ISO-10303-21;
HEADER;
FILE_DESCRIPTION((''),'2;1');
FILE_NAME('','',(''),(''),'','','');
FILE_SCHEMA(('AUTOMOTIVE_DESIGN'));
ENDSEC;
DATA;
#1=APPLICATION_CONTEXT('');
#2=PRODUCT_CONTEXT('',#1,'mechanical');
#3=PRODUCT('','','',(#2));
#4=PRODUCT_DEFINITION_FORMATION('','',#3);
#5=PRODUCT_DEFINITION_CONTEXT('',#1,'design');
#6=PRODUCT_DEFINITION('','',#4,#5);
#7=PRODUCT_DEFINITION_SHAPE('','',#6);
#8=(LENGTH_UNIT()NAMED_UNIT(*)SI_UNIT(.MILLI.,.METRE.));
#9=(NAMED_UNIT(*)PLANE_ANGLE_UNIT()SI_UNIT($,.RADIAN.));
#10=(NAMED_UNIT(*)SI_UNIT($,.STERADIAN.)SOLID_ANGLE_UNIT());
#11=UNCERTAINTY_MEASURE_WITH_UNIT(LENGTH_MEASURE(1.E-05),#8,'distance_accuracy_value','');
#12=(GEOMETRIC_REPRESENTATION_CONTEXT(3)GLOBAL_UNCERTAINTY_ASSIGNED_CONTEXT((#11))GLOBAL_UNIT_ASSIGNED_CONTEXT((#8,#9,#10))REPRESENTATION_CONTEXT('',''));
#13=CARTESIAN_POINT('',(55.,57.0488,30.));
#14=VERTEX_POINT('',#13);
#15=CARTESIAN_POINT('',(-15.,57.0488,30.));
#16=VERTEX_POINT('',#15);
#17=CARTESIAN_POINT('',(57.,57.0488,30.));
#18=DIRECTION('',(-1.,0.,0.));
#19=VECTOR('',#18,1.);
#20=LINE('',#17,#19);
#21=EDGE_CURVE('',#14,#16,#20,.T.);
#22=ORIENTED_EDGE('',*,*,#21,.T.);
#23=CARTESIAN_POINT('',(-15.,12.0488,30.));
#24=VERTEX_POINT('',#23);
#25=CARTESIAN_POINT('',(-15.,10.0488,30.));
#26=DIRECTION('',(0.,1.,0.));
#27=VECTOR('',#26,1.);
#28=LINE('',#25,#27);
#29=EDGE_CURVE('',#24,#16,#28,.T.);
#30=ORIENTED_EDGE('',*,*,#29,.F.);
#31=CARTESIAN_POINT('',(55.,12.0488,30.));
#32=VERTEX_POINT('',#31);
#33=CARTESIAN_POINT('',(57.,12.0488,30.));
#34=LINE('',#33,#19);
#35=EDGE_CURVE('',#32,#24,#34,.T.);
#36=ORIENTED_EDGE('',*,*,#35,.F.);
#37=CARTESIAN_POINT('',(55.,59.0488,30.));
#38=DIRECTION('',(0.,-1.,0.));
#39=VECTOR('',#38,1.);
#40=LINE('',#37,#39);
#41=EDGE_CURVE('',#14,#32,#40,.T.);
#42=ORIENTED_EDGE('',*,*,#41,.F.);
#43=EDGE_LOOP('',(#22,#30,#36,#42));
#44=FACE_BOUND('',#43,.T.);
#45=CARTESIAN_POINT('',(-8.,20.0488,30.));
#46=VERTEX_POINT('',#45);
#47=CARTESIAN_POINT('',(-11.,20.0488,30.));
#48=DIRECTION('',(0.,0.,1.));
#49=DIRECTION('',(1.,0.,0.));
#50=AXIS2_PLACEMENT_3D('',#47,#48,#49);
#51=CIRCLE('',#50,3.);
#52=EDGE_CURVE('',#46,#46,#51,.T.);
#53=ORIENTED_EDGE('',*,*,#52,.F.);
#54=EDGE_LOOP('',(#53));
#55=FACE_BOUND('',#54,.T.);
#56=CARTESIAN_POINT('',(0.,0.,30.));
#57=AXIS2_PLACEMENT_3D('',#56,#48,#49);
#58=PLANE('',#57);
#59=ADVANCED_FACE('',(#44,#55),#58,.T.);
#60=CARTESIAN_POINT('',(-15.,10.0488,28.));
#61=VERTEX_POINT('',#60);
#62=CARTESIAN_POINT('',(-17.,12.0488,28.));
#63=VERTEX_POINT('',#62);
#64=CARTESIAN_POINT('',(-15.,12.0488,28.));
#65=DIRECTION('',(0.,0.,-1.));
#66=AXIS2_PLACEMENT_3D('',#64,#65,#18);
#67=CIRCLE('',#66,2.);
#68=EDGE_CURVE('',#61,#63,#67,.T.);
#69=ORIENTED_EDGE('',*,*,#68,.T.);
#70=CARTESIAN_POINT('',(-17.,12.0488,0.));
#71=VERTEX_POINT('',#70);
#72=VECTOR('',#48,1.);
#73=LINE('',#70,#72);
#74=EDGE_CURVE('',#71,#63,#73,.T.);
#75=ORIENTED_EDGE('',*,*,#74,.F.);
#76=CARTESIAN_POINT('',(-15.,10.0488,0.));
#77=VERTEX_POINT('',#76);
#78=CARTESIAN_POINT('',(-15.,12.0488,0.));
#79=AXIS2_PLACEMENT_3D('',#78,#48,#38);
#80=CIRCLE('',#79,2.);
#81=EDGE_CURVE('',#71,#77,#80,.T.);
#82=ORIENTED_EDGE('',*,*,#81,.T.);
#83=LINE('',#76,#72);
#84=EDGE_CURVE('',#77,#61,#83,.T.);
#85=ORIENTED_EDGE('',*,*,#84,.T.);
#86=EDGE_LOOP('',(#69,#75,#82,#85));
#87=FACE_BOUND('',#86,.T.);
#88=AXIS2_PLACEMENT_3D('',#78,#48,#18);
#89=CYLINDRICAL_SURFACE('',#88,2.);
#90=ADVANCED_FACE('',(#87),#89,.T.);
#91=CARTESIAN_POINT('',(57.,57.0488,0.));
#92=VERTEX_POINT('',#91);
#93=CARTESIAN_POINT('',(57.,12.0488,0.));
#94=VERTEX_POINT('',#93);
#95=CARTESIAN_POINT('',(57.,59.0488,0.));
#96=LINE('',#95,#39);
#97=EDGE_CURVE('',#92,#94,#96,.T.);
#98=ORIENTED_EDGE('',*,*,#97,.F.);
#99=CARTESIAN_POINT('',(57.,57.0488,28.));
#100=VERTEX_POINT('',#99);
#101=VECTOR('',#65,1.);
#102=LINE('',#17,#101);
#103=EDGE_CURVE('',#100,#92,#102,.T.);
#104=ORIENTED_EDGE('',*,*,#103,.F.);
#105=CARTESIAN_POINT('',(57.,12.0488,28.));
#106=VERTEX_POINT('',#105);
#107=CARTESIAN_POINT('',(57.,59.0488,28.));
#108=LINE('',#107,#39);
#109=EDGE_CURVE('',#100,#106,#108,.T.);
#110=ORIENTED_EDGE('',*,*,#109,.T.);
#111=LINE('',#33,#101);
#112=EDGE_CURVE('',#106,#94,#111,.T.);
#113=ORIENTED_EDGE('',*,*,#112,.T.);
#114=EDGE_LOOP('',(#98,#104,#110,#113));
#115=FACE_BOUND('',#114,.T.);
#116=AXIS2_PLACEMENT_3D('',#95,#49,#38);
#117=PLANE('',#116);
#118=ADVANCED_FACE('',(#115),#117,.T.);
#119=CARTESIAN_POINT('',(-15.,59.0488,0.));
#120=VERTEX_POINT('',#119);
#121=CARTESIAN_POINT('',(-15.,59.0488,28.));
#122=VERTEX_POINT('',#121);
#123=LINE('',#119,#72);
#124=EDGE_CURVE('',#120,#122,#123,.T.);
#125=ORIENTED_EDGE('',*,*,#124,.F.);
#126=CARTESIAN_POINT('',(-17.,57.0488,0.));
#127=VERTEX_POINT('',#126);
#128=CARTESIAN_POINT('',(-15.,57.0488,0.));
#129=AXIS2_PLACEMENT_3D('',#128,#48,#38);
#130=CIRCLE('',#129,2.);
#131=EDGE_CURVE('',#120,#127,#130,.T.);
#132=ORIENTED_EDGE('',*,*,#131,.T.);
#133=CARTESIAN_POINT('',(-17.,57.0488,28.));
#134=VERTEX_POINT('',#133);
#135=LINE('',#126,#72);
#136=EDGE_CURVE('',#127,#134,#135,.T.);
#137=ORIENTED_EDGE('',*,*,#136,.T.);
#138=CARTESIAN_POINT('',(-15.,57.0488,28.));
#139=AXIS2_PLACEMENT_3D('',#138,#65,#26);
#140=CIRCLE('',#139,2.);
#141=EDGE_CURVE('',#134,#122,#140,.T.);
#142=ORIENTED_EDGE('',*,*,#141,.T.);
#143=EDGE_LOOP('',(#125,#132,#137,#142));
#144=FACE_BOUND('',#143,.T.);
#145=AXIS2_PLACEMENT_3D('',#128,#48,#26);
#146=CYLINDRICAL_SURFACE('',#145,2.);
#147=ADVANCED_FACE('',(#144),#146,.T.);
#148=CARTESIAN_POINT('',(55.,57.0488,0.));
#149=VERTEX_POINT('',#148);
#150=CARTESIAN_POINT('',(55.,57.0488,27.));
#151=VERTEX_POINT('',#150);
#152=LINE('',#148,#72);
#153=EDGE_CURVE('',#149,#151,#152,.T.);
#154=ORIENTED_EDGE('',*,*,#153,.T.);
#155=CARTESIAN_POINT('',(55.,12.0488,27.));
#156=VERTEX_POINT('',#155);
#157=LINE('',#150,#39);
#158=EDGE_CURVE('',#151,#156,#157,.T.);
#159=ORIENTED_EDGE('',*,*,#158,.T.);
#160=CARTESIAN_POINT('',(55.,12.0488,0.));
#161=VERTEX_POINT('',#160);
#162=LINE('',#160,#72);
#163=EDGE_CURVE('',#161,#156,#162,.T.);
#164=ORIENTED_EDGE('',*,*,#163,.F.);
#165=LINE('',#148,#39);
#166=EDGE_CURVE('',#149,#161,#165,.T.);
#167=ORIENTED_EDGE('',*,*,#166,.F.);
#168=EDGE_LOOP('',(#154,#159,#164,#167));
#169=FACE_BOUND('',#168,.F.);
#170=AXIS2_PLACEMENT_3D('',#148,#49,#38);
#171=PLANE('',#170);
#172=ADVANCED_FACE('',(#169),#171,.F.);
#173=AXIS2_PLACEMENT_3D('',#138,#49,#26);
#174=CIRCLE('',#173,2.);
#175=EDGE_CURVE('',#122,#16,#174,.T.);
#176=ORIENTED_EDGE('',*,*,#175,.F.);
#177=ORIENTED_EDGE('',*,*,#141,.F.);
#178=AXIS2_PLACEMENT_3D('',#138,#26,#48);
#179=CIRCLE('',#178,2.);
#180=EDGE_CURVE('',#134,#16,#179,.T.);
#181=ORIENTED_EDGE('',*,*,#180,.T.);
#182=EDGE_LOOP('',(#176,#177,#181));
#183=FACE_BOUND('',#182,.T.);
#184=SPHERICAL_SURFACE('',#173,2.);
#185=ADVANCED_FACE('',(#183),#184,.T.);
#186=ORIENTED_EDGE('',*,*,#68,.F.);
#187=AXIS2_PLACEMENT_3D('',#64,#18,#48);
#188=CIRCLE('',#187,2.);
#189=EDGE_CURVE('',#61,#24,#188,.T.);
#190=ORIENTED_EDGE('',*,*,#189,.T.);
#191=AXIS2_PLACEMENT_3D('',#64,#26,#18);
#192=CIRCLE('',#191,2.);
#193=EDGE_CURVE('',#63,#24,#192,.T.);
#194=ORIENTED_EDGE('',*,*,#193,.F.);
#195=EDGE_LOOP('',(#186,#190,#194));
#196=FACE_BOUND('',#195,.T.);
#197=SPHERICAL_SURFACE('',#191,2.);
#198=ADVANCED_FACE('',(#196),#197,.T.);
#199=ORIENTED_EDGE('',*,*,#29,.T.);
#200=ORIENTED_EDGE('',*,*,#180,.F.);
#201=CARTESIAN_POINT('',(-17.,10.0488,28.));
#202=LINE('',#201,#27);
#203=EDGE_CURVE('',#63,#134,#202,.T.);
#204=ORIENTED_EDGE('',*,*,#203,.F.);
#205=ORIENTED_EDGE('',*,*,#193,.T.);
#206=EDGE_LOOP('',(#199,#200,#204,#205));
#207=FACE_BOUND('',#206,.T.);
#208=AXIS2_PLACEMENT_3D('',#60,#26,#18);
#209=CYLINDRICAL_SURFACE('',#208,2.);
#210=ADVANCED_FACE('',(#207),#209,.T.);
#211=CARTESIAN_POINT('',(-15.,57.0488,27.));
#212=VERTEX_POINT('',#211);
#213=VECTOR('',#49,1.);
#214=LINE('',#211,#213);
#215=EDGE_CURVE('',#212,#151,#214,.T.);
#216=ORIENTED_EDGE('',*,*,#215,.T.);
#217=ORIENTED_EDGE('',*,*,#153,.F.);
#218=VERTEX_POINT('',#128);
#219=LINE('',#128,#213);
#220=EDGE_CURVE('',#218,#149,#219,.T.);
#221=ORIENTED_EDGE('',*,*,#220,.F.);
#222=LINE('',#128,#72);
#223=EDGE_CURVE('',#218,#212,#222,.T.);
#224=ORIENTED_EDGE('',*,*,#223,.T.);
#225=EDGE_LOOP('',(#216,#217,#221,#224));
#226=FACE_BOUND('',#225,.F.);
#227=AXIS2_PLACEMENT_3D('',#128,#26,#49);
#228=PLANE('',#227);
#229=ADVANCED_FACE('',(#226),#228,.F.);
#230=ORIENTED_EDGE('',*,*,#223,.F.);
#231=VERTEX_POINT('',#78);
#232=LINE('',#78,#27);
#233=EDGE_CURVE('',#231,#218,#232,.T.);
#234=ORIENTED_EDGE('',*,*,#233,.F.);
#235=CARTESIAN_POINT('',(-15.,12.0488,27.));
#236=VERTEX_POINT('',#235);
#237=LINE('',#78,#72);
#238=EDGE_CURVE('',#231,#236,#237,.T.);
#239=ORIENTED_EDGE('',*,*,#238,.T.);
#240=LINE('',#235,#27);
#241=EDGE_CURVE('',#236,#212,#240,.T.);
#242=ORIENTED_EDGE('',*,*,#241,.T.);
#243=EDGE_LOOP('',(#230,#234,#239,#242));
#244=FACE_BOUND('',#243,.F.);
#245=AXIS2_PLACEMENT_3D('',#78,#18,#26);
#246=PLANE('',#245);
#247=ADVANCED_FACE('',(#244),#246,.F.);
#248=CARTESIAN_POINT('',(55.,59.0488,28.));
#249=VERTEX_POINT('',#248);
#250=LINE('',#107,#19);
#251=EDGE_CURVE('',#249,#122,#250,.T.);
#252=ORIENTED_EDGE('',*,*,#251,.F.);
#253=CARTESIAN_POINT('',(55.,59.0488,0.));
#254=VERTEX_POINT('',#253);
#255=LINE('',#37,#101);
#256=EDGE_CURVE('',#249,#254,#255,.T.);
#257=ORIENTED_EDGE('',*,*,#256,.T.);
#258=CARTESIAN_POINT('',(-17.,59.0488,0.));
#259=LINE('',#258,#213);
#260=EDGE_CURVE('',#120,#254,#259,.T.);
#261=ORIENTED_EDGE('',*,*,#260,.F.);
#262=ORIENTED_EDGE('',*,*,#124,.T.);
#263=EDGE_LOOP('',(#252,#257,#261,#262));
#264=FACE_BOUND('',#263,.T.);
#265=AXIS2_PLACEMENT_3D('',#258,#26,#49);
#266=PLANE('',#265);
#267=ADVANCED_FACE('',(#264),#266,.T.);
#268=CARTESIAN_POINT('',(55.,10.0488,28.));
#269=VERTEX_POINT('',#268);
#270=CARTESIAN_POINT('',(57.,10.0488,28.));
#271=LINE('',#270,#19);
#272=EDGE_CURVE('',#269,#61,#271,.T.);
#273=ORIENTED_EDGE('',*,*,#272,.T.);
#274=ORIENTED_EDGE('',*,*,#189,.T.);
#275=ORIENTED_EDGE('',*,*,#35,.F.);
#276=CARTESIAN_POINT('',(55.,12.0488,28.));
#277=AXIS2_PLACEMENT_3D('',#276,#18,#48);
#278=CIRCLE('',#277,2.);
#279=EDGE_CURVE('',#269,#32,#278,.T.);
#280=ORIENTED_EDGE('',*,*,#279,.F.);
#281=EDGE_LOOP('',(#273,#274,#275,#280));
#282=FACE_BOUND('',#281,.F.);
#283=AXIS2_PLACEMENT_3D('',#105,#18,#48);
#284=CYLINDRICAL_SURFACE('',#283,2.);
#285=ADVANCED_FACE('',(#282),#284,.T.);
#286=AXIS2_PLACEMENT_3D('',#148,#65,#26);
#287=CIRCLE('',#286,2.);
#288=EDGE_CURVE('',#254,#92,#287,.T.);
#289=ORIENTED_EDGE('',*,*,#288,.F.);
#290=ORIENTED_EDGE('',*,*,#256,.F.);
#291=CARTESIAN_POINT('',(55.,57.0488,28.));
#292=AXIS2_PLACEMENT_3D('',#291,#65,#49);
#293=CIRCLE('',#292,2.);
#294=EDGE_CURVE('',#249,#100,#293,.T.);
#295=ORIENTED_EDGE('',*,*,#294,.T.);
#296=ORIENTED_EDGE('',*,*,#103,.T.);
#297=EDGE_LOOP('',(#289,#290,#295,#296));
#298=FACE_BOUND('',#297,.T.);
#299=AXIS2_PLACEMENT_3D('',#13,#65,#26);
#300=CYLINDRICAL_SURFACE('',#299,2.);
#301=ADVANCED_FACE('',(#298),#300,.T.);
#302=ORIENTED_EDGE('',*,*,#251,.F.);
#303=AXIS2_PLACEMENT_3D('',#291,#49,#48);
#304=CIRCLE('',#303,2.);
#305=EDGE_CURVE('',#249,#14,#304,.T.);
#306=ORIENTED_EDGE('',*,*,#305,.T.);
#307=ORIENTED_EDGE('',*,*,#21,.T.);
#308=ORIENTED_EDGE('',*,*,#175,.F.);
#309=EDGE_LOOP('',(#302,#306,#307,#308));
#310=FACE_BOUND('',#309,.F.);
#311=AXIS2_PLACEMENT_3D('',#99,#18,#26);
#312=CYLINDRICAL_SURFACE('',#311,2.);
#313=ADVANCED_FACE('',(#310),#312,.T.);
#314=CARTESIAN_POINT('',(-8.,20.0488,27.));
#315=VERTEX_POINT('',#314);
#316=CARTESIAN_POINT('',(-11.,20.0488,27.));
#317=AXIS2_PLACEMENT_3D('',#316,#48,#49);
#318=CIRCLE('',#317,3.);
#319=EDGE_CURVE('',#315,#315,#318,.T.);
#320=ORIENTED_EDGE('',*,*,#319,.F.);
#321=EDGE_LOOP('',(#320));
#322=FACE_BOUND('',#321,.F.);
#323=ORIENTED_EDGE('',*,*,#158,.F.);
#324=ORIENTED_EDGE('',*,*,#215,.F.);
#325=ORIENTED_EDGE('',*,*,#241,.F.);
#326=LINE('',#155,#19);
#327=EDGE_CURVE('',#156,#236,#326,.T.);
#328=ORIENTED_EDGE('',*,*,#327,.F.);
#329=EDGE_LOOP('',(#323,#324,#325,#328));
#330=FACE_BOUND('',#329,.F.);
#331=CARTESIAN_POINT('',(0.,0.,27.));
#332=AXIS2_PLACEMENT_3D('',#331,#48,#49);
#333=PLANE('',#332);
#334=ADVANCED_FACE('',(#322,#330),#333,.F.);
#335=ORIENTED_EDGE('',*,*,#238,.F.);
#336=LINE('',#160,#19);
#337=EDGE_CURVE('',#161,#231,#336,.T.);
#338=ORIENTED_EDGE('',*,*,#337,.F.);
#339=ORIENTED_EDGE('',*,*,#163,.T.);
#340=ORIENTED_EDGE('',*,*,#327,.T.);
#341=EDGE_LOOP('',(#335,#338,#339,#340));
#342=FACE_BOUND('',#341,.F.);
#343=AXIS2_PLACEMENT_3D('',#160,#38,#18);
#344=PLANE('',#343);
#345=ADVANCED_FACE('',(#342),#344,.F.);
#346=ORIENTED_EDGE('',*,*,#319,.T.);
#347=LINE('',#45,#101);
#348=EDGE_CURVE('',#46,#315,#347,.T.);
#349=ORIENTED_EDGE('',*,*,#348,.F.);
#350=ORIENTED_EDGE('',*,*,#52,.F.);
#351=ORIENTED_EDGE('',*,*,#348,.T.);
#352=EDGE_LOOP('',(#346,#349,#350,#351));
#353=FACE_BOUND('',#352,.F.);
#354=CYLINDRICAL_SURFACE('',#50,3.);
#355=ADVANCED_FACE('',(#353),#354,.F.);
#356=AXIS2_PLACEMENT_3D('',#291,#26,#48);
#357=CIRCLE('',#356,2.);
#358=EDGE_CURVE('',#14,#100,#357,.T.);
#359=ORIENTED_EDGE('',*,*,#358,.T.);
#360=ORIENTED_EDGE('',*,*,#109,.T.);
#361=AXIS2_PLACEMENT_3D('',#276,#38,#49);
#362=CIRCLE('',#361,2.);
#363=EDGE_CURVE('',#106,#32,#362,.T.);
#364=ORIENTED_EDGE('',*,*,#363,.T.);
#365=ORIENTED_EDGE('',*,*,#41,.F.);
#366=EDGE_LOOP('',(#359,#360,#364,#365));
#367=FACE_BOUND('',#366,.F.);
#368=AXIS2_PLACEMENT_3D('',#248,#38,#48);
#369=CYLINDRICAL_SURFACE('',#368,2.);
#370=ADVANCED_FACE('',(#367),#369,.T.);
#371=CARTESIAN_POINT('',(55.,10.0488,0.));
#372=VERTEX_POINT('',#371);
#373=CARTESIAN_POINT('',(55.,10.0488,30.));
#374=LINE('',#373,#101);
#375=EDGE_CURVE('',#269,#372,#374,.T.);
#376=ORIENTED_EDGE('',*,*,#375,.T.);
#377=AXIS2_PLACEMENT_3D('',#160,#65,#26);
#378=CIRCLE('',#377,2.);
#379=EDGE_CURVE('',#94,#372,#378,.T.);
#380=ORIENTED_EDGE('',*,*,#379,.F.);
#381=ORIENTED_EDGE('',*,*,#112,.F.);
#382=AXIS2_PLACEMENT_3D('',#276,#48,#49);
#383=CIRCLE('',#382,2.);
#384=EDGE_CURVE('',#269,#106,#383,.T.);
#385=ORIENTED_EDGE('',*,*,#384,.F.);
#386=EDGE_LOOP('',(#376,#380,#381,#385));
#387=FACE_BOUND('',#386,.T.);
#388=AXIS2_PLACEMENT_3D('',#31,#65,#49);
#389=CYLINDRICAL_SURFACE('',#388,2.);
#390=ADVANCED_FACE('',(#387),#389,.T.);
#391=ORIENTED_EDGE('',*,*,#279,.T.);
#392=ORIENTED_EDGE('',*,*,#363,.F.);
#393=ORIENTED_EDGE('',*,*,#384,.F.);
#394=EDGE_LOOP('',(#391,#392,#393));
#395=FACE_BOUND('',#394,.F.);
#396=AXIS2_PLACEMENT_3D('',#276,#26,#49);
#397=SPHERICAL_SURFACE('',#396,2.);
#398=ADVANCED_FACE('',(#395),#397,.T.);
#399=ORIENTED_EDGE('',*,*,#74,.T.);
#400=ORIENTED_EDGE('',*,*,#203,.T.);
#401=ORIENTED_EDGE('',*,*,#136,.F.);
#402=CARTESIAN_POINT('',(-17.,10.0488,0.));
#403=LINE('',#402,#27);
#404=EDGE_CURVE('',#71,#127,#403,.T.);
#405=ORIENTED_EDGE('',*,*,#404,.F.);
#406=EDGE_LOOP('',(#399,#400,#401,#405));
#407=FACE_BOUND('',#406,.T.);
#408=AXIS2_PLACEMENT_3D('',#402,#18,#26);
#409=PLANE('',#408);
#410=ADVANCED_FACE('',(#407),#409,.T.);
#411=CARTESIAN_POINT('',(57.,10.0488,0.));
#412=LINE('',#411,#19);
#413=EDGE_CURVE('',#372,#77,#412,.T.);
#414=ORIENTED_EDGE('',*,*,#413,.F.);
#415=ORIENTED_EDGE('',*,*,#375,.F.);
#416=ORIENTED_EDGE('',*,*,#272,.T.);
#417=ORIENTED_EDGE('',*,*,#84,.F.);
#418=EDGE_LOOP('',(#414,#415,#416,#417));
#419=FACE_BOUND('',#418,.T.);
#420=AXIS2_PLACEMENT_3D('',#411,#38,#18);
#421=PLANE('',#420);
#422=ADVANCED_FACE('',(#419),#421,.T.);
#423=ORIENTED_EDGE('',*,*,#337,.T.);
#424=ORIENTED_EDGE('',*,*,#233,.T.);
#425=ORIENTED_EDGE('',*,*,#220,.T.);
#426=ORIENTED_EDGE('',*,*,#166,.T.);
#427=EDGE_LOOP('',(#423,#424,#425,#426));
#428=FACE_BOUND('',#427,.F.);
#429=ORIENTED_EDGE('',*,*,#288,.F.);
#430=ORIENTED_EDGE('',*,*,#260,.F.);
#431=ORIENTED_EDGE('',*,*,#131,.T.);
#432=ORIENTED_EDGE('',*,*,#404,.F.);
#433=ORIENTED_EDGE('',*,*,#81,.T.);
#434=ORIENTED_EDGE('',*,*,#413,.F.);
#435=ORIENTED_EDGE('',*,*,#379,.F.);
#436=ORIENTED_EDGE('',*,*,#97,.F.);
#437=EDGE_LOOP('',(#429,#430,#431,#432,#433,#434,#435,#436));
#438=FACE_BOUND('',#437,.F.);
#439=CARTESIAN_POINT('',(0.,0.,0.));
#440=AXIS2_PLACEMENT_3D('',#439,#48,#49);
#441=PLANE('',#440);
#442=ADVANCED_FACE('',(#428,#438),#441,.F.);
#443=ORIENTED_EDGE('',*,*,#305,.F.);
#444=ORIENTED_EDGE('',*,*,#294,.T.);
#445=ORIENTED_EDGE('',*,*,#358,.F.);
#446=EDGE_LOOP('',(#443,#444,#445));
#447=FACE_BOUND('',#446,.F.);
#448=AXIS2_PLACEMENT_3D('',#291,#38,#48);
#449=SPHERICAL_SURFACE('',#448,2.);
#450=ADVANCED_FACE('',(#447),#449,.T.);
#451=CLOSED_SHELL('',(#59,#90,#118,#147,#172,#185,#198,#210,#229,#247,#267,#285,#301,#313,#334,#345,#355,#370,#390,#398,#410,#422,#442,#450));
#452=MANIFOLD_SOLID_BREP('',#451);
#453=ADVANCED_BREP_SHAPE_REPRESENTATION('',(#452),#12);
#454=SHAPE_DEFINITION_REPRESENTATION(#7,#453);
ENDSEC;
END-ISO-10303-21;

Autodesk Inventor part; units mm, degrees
ref_plane "YZ Plane" through (0, 0, 0) normal (1, 0, 0) x (0, 1, 0)
ref_plane "XZ Plane" through (0, 0, 0) normal (0, 1, 0) x (-1, 0, 0)
ref_plane "XY Plane" through (0, 0, 0) normal (0, 0, 1) x (1, 0, 0)
sketch "Sketch1" plane through (0, 0, 0) normal (0, 0, 1) x (1, 0, 0)
  line L0 (-15, 57.0488) -> (55, 57.0488)
  line L1 (-15, 12.0488) -> (-15, 57.0488)
  line L2 (55, 12.0488) -> (-15, 12.0488)
  line L3 (55, 57.0488) -> (55, 12.0488)
  line L4 (-17, 59.0488) -> (57, 59.0488)
  line L5 (57, 59.0488) -> (57, 10.0488)
  line L6 (57, 10.0488) -> (-17, 10.0488)
  line L7 (-17, 10.0488) -> (-17, 59.0488)
  point P0 (0, 0)
  dimension "d0" = 74
  dimension "d1" = 49
  dimension "d2" = 2
  dimension "d3" = 2
extrude "Extrusion1" add sketch "Sketch1" along normal blind 27
sketch "Sketch2" plane through (0, 0, 27) normal (0, 0, 1) x (1, 0, 0)
  line L0 (57, 59.0488) -> (-17, 59.0488) projected
  line L1 (-17, 59.0488) -> (57, 59.0488)
  line L2 (57, 59.0488) -> (57, 10.0488)
  line L3 (57, 10.0488) -> (-17, 10.0488)
  line L4 (-17, 10.0488) -> (-17, 59.0488)
  point P0 (0, 0)
extrude "Extrusion2" add sketch "Sketch2" along normal blind 3
sketch "Sketch3" plane through (0, 0, 30) normal (0, 0, 1) x (1, 0, 0)
  circle A0 centre (-11, 20.0488) radius 3
  line L0 (-17, 10.0488) -> (57, 10.0488) projected
  line L1 (-17, 59.0488) -> (-17, 10.0488) projected
  point P0 (0, 0)
  dimension "d8" = 6
  dimension "d9" = 10
  dimension "d10" = 6
extrude "Extrusion3" cut sketch "Sketch3" against normal up to next
fillet "Fillet1" radius 2 8 edges at (57, 34.5488, 30) (20, 59.0488, 30) (57, 59.0488, 15) (57, 10.0488, 15) (-17, 59.0488, 15) (-17, 34.5488, 30) (-17, 10.0488, 15) (20, 10.0488, 30)
properties part number "Extrusion"
